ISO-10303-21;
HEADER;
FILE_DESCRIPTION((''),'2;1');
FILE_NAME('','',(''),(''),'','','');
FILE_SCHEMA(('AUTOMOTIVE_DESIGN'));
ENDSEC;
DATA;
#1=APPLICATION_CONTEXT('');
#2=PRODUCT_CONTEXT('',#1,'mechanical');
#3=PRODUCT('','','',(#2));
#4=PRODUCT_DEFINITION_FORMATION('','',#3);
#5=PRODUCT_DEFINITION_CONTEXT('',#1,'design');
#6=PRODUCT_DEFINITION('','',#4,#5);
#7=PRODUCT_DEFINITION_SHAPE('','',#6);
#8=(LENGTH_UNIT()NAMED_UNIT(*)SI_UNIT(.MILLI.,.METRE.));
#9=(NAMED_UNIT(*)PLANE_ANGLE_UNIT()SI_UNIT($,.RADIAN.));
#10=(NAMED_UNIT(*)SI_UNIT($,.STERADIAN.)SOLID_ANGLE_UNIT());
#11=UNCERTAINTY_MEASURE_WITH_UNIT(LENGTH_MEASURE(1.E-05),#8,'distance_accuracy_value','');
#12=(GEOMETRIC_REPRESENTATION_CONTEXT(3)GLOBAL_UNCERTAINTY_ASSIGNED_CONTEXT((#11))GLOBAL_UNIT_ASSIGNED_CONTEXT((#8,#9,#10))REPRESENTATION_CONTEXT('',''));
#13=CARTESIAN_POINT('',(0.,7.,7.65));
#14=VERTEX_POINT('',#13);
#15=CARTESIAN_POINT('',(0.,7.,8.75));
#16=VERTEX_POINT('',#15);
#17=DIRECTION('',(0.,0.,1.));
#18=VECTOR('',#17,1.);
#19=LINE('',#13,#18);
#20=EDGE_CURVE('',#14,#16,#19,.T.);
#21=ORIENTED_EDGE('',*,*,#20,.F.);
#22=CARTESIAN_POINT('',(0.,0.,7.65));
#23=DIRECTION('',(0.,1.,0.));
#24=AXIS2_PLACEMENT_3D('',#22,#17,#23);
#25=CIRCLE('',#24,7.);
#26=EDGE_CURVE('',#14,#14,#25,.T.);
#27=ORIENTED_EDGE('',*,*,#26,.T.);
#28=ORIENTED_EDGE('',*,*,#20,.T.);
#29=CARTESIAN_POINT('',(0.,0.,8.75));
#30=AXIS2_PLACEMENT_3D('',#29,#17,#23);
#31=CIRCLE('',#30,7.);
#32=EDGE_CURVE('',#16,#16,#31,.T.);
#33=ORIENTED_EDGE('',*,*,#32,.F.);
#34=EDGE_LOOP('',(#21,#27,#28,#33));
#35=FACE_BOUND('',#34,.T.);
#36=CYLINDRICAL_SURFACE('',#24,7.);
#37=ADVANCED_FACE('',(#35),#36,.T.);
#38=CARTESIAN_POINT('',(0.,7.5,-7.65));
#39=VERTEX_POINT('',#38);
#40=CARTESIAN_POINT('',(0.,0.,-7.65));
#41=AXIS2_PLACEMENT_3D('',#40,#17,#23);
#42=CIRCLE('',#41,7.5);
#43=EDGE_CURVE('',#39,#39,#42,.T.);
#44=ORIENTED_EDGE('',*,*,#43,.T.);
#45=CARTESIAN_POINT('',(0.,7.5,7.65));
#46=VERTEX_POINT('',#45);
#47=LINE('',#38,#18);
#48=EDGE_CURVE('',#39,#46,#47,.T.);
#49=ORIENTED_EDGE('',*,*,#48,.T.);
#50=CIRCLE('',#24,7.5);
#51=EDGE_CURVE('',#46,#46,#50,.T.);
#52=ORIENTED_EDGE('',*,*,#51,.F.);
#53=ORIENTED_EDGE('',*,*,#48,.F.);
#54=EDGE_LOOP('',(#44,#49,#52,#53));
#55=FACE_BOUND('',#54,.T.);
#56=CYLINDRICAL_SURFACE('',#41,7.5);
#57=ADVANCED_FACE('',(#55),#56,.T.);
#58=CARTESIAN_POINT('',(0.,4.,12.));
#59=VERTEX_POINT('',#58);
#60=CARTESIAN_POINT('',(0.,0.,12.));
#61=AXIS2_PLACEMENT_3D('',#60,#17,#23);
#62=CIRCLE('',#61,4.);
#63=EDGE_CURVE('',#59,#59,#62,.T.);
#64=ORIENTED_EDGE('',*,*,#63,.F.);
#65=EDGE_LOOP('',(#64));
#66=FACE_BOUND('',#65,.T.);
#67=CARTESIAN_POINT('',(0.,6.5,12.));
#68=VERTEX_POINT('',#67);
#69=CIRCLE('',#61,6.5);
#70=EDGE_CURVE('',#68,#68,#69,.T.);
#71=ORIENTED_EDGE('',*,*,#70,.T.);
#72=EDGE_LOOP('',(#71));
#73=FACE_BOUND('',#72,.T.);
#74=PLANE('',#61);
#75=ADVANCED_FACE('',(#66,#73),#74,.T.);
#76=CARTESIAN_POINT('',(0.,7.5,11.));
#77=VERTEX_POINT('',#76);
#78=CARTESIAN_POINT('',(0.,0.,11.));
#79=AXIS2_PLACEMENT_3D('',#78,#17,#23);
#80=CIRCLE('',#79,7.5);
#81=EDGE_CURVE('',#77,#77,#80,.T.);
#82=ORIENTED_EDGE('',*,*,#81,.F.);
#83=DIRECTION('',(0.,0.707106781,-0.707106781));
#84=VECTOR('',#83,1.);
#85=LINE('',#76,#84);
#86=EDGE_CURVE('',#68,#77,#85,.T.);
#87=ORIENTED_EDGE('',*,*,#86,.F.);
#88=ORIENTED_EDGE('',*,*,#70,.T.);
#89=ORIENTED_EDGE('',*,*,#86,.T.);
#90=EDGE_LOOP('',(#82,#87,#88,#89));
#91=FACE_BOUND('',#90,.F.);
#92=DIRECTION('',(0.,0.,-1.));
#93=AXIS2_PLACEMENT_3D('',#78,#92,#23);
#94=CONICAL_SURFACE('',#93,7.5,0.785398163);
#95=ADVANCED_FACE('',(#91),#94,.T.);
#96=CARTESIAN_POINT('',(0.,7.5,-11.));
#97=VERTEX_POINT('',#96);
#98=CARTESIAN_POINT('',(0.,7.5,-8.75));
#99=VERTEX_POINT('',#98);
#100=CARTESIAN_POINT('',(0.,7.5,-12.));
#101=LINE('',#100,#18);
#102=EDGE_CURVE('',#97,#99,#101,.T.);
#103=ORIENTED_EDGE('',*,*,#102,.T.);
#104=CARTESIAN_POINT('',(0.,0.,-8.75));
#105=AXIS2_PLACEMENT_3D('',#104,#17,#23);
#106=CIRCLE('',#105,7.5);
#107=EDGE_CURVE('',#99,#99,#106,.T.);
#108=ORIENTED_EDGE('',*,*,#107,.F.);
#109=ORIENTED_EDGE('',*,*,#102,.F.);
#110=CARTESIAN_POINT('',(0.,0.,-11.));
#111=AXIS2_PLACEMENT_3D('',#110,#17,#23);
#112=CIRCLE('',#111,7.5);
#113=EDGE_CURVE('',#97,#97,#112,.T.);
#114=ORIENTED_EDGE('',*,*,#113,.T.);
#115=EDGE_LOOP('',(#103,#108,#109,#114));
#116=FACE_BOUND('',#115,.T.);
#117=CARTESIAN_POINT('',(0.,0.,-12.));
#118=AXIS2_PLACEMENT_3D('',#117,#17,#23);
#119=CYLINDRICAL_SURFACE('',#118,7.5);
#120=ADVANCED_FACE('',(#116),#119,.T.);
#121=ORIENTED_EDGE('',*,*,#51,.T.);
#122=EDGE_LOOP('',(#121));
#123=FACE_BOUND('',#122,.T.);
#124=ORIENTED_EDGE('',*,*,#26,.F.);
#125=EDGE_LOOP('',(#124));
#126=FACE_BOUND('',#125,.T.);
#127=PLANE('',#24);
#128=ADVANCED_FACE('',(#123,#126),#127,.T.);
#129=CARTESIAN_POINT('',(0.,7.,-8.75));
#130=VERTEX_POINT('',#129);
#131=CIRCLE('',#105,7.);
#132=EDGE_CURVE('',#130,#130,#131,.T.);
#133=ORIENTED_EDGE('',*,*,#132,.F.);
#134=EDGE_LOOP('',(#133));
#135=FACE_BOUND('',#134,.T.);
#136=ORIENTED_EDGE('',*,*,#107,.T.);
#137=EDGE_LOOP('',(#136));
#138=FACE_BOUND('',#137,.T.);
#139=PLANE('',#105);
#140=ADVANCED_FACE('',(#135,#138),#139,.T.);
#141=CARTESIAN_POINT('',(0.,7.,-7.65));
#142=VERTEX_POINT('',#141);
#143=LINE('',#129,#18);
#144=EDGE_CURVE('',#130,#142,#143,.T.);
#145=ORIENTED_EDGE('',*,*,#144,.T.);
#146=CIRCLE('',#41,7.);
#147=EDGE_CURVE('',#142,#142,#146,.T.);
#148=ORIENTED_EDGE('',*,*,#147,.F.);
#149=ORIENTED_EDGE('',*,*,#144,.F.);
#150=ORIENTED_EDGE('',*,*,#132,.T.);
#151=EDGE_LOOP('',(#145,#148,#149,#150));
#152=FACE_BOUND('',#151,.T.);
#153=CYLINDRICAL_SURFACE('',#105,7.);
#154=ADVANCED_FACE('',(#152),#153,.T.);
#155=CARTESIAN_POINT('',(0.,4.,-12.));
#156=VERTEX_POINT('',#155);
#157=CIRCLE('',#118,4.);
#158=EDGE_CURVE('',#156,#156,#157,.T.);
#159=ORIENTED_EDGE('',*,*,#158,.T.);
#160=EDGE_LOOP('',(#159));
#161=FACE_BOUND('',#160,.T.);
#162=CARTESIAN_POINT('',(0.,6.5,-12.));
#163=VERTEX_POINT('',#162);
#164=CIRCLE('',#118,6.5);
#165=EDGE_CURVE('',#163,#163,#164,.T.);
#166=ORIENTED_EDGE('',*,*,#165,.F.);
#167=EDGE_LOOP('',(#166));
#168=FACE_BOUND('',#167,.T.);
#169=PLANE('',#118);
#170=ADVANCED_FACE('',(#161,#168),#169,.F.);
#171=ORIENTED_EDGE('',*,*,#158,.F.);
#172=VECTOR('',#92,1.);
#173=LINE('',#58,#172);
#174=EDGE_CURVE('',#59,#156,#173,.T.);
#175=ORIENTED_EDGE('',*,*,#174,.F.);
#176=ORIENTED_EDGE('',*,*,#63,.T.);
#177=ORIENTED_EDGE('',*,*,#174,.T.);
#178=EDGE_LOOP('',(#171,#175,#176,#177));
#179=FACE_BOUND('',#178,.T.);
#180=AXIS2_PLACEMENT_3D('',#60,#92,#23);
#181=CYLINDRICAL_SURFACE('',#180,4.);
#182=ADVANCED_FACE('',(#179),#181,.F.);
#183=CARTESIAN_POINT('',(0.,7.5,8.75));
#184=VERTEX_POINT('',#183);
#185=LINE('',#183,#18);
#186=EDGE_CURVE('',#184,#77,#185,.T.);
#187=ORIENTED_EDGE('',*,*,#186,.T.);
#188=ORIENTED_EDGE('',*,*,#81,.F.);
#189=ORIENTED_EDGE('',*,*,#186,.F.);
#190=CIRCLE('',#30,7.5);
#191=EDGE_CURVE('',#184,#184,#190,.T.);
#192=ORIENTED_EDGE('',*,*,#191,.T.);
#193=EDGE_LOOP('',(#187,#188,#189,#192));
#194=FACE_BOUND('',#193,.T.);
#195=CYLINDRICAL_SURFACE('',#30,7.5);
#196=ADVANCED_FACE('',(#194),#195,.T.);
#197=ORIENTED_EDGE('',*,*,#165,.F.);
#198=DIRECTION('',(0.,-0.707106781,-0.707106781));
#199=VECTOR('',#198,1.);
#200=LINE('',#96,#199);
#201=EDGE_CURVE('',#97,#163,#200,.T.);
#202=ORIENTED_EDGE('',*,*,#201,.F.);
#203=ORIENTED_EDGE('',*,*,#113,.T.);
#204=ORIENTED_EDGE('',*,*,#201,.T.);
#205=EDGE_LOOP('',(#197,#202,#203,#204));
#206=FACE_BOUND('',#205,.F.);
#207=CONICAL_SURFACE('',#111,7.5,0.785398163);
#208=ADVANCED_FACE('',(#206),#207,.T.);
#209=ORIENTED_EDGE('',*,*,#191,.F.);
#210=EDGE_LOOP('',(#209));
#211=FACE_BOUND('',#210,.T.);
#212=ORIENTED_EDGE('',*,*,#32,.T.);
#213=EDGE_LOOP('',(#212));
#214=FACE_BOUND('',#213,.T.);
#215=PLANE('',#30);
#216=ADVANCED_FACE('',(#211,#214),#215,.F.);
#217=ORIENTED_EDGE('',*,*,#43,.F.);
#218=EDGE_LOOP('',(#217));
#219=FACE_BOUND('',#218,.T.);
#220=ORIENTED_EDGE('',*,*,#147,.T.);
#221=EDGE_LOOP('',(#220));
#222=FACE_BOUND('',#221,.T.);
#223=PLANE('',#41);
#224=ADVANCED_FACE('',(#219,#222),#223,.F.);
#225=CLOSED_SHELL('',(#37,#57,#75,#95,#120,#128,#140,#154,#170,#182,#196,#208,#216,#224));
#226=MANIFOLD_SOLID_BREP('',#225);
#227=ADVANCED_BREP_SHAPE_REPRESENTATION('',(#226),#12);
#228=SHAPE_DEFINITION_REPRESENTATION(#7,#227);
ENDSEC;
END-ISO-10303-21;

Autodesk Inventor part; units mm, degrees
ref_plane "YZ Plane" through (0, 0, 0) normal (1, 0, 0) x (0, 1, 0)
ref_plane "XZ Plane" through (0, 0, 0) normal (0, 1, 0) x (-1, 0, 0)
ref_plane "XY Plane" through (0, 0, 0) normal (0, 0, 1) x (1, 0, 0)
sketch "Sketch1" plane through (0, 0, 0) normal (1, 0, 0) x (0, 1, 0)
  line L0 (4, 12) -> (4, -12)
  line L1 (4, -12) -> (7.5, -12)
  line L2 (7.5, -12) -> (7.5, -8.75)
  line L3 (7.5, -8.75) -> (7, -8.75)
  line L4 (7, -8.75) -> (7, -7.65)
  line L5 (7, -7.65) -> (7.5, -7.65)
  line L6 (7.5, -7.65) -> (7.5, 7.65)
  line L7 (7.5, 7.65) -> (7, 7.65)
  line L8 (7, 7.65) -> (7, 8.75)
  line L9 (7, 8.75) -> (7.5, 8.75)
  line L10 (7.5, 8.75) -> (7.5, 12)
  line L11 (7.5, 12) -> (4, 12)
  line L12 (0, -16.8) -> (0, 16.8) projected
  point P0 (0, 0)
  point P1 (4, 0)
  point P2 (7, -8.2)
  point P3 (7, 8.2)
  dimension "d0" = 1.1
  dimension "d1" = 1.1
  dimension "d2" = 15.3
  dimension "d3" = 3.25
  dimension "d4" = 3.25
  dimension "d5" = 4
  dimension "d6" = 7.5
  dimension "d7" = 7
revolve "Revolution1" add sketch "Sketch1" angle 360 about axis through (0, 0, -10) along (0, 0, 1)
chamfer "Chamfer1" distance 1 angle 45 2 edges at (0, -7.5, 12) (0, -7.5, -12)
properties part number "Linear Bearing 8mm"
